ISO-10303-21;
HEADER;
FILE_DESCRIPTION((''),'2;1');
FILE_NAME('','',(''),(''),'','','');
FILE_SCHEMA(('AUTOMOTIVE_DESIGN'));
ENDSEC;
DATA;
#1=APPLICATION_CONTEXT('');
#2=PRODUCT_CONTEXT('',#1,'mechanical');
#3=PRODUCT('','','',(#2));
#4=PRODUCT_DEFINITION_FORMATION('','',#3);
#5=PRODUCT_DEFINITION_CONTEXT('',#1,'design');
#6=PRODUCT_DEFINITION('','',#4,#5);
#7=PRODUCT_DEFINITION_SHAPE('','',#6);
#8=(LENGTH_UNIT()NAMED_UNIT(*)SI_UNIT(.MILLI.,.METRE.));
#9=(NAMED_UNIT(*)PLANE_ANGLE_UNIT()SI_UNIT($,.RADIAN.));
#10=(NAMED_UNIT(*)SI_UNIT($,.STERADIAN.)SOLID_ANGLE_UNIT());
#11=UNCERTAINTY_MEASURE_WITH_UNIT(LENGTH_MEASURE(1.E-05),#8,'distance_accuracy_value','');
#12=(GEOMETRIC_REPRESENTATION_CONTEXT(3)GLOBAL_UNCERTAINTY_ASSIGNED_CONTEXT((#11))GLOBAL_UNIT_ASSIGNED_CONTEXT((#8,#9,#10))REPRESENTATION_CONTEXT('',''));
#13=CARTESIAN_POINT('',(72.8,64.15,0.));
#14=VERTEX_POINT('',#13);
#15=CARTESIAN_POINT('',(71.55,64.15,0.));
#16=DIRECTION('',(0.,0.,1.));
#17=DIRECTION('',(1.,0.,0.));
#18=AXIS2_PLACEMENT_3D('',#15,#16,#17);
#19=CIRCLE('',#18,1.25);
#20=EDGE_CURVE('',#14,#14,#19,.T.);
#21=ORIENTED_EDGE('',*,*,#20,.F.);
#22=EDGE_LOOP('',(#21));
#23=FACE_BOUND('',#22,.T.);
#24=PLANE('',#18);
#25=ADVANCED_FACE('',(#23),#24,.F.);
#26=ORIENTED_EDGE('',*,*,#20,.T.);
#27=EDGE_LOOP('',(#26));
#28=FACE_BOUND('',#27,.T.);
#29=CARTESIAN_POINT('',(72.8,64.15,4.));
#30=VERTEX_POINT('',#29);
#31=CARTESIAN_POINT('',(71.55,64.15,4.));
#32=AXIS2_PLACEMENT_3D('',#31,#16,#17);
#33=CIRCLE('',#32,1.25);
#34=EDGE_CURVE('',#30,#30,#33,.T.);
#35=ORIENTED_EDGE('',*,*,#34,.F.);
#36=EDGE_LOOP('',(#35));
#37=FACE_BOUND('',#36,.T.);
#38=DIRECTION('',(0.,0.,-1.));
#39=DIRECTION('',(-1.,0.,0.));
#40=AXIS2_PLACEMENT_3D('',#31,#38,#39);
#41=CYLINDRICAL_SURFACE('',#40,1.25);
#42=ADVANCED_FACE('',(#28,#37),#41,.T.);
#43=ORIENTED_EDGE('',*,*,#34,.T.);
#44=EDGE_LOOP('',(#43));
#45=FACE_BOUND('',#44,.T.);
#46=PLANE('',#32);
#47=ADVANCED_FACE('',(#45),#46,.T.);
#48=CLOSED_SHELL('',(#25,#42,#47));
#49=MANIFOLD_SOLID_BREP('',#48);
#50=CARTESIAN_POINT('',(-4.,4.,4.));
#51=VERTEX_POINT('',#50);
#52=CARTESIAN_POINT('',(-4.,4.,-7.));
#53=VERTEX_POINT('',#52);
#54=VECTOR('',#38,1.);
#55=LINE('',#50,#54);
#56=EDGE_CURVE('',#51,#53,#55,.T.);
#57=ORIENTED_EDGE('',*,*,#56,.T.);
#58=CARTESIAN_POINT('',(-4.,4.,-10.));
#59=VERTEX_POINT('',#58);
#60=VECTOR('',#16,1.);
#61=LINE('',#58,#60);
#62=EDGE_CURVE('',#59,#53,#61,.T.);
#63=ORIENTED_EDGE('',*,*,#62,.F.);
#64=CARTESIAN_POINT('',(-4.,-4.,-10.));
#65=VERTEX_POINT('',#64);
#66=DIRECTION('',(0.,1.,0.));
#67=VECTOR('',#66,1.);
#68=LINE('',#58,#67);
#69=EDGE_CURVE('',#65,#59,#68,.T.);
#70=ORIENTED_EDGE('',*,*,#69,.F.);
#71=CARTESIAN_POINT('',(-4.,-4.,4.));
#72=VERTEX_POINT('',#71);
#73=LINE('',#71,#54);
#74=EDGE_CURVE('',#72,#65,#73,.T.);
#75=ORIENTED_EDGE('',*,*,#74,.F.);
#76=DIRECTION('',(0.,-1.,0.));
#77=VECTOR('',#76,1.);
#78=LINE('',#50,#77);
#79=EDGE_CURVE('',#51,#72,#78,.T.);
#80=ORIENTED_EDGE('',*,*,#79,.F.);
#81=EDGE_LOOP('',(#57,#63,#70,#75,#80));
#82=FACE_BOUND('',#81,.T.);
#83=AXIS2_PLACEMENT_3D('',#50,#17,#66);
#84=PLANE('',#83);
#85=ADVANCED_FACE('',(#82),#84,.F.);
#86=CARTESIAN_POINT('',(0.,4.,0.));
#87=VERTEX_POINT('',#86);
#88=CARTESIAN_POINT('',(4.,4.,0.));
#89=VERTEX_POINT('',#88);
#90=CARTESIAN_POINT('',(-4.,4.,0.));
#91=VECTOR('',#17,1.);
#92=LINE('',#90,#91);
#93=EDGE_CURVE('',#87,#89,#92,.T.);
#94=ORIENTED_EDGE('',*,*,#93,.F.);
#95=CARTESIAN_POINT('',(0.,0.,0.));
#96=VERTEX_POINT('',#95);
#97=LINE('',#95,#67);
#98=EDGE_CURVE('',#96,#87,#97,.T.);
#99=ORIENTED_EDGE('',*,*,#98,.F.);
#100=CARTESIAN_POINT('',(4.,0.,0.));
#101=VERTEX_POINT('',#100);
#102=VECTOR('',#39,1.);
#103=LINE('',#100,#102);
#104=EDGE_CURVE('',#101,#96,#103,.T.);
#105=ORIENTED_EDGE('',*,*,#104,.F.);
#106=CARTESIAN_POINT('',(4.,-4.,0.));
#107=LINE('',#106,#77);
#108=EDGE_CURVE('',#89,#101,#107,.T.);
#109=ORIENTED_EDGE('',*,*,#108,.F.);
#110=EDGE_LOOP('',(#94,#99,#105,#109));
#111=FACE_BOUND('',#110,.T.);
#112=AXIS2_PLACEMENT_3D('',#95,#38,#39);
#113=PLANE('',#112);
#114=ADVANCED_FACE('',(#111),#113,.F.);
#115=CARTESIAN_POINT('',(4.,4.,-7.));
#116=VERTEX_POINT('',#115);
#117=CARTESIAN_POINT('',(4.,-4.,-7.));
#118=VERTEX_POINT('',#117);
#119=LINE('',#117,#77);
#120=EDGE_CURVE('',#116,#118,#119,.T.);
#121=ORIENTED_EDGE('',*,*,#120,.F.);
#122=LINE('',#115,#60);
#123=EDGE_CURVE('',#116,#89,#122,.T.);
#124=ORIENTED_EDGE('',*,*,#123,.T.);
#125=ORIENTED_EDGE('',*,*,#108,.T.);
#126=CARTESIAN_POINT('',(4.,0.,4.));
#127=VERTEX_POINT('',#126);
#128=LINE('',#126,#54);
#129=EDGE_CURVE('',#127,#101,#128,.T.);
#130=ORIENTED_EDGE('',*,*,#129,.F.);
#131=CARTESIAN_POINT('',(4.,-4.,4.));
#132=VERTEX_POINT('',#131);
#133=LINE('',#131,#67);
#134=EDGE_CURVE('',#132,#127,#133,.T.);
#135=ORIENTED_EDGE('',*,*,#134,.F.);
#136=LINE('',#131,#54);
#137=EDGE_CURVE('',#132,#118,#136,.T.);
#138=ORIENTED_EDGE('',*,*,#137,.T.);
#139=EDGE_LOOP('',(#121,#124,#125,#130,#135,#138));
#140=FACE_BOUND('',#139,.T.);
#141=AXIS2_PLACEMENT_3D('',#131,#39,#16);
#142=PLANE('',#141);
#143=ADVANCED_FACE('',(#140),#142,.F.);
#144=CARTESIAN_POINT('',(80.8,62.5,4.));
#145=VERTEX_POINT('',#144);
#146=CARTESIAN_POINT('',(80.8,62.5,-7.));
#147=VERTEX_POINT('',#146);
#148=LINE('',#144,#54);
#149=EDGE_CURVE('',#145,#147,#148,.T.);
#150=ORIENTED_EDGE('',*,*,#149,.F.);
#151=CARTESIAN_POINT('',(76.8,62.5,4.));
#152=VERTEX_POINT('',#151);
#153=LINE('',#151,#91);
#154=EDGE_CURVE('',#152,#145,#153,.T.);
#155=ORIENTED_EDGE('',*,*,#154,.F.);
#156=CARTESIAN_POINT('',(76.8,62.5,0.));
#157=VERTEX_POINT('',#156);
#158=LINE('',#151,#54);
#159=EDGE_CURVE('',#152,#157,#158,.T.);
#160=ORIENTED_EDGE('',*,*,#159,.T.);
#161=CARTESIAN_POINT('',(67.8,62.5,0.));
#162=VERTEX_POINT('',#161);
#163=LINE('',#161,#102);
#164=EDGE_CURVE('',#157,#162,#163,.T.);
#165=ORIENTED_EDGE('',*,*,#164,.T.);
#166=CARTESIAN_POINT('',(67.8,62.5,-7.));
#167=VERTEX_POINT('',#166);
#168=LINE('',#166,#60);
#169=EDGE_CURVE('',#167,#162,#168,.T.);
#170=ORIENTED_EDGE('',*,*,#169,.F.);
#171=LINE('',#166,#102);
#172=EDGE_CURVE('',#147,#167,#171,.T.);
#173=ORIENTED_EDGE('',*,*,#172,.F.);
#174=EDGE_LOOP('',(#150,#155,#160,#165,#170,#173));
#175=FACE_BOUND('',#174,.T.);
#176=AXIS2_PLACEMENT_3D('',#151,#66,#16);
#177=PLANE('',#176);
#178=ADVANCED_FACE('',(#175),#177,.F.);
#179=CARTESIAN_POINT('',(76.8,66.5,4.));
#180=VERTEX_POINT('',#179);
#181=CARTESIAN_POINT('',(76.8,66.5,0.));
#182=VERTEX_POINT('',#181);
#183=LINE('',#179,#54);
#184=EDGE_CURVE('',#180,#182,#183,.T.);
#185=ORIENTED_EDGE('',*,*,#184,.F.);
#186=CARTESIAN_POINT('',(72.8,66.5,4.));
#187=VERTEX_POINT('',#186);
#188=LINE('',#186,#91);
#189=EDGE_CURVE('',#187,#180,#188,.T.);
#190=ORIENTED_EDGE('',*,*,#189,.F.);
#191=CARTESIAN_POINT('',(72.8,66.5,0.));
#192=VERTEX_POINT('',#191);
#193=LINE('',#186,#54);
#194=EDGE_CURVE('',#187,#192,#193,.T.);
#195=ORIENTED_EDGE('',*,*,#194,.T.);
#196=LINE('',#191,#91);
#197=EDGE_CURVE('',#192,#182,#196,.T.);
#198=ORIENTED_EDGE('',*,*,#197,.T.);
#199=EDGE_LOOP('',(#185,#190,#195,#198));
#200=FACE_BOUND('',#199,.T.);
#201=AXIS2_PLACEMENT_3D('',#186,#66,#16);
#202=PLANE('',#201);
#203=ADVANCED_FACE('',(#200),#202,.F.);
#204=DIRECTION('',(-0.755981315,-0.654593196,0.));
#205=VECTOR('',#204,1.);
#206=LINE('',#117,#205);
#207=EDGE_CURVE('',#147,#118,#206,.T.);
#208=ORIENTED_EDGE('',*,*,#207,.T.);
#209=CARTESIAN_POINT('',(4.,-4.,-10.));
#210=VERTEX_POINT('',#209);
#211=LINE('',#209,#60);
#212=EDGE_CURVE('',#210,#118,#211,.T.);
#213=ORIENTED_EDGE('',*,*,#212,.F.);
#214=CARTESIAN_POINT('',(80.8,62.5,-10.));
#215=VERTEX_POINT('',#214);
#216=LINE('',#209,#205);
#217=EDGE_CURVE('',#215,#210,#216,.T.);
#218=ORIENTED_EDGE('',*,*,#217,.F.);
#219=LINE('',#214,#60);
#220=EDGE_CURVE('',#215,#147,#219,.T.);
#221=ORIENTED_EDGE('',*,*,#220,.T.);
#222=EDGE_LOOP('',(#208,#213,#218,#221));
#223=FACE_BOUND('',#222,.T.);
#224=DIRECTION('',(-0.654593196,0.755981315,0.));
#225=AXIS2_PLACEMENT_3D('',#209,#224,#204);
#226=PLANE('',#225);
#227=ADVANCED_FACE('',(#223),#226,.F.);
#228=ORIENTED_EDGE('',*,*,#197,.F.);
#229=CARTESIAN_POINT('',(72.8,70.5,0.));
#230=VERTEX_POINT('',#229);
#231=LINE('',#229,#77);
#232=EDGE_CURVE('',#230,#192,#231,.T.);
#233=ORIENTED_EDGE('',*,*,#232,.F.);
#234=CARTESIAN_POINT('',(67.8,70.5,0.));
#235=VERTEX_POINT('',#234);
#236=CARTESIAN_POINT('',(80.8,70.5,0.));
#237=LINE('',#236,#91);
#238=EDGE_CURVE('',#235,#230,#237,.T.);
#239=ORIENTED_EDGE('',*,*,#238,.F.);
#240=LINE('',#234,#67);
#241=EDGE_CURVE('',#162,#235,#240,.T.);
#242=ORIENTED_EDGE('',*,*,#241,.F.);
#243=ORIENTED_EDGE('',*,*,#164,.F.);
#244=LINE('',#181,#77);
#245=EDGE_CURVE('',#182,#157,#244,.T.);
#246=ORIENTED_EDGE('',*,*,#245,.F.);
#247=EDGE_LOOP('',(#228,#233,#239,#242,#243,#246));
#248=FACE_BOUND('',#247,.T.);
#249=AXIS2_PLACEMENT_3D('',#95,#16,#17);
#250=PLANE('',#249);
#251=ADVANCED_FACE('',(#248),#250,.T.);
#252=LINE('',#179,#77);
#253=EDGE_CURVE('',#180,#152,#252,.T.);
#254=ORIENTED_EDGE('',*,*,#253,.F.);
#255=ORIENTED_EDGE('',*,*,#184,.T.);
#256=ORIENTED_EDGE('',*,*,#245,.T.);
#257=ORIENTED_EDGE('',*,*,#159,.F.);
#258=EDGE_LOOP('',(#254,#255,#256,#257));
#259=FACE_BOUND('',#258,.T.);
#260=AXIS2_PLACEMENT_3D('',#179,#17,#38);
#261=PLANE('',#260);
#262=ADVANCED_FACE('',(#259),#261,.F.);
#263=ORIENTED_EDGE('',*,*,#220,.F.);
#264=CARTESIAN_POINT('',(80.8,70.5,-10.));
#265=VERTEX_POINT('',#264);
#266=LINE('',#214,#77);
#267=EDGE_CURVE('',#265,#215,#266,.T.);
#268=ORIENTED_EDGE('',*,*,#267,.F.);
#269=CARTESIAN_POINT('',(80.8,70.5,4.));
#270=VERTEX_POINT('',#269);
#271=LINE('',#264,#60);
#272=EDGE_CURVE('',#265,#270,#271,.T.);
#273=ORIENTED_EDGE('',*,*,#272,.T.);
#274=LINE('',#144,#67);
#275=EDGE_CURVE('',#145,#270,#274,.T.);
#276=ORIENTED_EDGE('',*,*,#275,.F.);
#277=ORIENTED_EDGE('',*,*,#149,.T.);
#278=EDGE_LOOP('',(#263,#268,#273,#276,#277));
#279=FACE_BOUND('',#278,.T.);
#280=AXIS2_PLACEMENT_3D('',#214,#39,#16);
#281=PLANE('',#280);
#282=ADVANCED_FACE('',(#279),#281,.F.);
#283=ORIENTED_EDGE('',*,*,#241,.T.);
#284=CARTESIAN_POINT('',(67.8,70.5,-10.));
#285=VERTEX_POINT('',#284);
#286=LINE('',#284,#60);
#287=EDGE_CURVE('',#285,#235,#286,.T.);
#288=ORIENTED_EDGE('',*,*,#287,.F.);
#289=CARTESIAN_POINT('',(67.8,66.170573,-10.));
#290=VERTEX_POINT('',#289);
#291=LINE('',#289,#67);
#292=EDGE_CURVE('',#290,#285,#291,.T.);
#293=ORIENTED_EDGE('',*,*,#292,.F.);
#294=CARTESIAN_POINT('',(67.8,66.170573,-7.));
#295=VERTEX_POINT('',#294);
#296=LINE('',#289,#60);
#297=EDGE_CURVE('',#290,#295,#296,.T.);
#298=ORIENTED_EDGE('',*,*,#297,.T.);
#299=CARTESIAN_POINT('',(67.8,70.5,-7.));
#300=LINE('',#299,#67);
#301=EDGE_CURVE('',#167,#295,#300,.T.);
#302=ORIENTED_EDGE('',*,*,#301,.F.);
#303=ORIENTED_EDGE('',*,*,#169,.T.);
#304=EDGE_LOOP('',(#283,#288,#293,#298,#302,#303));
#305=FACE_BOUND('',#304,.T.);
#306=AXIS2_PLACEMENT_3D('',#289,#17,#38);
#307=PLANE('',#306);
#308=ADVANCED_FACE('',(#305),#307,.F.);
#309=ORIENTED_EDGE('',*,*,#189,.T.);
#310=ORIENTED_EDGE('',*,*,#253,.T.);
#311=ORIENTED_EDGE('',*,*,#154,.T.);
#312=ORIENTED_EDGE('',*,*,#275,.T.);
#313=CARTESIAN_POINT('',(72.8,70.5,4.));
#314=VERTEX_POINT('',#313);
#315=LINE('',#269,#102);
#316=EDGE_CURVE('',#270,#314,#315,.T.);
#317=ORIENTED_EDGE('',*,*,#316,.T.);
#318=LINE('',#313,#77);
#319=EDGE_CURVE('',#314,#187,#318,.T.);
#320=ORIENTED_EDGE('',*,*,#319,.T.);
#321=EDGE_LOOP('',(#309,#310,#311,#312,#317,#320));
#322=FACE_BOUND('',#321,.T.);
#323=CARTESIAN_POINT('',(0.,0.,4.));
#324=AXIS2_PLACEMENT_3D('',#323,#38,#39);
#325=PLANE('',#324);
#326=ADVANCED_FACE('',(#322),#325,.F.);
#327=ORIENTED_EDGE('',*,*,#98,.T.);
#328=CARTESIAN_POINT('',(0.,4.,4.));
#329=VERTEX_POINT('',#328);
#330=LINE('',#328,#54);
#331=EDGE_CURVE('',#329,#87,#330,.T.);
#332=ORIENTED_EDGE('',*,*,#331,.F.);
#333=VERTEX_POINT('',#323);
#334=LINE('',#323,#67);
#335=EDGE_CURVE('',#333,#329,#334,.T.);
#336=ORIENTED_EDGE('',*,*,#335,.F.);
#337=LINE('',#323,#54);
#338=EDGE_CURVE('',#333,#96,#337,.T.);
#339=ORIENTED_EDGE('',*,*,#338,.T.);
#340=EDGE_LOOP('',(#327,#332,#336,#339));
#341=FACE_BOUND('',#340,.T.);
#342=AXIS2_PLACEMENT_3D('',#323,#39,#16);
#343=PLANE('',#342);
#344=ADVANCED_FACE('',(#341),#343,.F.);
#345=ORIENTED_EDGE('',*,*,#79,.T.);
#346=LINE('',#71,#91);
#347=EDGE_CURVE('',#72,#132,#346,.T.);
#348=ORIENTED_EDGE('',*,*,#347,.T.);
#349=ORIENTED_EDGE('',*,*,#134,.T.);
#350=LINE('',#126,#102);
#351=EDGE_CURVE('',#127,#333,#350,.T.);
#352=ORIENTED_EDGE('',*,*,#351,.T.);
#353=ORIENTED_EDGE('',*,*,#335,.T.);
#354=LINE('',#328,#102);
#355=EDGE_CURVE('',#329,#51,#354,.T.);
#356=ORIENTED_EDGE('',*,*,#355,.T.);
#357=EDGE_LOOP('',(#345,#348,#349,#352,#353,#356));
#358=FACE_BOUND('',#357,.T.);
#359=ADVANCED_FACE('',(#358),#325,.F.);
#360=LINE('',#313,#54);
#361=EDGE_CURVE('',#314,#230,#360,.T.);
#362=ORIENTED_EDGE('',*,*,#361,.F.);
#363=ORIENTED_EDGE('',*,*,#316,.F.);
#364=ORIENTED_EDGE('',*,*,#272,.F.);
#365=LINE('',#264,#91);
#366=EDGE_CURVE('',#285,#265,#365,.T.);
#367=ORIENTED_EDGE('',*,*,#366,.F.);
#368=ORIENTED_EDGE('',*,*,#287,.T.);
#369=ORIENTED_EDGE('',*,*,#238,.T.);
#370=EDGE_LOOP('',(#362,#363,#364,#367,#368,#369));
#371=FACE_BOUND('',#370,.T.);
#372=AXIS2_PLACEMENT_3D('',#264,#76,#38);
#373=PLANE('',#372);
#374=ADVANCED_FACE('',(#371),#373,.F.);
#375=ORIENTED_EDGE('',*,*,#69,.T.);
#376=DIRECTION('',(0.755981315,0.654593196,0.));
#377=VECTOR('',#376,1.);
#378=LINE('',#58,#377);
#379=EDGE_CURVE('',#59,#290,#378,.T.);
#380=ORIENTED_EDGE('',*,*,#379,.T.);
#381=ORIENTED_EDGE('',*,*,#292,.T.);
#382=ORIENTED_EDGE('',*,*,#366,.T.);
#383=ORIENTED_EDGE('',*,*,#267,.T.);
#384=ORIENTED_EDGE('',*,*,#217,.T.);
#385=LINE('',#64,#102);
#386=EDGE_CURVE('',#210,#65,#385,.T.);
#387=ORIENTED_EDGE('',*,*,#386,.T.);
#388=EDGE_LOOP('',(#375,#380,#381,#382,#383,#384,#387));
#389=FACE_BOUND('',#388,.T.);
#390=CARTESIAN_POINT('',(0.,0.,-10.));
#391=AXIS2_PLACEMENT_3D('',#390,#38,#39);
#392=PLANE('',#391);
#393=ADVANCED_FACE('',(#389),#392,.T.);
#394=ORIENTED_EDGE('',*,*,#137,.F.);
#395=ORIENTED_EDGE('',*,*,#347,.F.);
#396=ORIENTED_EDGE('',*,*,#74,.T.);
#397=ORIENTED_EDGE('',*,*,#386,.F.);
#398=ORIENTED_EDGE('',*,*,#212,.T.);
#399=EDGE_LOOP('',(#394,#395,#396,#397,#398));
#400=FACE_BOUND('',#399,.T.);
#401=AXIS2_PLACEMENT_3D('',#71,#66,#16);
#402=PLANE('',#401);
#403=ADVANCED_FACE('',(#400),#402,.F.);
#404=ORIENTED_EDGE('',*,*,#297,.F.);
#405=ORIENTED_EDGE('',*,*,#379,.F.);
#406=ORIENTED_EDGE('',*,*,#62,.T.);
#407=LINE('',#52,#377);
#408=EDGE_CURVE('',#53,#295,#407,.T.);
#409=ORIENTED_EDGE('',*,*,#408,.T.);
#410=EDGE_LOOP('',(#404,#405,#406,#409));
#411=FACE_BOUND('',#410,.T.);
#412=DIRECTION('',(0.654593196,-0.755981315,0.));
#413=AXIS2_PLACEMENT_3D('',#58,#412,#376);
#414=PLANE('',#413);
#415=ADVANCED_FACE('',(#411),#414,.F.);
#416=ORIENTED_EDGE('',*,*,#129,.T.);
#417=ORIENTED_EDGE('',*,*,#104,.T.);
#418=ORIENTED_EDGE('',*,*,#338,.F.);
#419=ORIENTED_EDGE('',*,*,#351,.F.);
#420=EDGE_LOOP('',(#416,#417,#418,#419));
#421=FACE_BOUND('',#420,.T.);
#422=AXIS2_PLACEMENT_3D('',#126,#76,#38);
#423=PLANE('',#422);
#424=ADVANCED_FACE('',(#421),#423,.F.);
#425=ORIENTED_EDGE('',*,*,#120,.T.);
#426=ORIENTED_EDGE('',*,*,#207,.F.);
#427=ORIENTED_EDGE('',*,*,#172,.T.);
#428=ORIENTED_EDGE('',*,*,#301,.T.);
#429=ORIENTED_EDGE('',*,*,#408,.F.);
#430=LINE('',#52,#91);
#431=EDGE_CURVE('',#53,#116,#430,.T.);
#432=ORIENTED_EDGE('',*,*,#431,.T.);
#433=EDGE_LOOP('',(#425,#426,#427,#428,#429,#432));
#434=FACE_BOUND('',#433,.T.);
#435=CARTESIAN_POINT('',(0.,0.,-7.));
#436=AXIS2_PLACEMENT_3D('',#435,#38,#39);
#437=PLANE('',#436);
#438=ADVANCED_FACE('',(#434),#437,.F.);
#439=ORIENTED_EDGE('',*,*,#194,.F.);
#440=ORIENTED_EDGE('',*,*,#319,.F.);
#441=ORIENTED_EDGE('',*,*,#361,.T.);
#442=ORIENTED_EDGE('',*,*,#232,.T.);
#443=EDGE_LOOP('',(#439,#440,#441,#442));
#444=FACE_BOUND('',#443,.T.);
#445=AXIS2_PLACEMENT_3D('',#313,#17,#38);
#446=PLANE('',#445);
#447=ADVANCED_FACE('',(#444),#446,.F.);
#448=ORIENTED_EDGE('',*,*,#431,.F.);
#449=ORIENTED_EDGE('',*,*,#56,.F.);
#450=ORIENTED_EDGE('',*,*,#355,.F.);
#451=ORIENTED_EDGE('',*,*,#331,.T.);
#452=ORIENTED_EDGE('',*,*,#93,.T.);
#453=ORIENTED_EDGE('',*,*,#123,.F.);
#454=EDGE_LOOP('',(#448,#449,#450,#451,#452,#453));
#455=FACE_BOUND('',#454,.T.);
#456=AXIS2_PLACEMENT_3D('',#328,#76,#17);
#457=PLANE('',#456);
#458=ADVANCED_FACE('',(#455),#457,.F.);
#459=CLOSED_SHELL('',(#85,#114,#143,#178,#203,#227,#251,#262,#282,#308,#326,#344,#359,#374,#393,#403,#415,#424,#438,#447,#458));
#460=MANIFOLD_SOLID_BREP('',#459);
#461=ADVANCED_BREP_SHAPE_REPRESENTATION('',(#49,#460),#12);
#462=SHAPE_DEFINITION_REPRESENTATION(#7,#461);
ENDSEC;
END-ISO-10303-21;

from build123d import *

# Parameters (mm, degrees)
BOSS_EXTRUDE1_DEPTH   = 4
BOSS_EXTRUDE1_2_DEPTH = 4
SKETCH2_W             = 13
SKETCH2_H             = 8
SKETCH2_W_2           = 8
BOSS_EXTRUDE2_DEPTH   = 7
BOSS_EXTRUDE3_DEPTH   = 3
SKETCH4_R             = 1.25
BOSS_EXTRUDE4_DEPTH   = 4


with BuildPart() as part:
    # Sketch1 → Boss-Extrude1 (new body)
    with BuildSketch(Plane.XY):
        Polygon((0, 0), (0, 4), (-4, 4), (-4, -4), (4, -4), (4, 0), align=None)
    extrude(amount=BOSS_EXTRUDE1_DEPTH)



with BuildPart() as body_2:
    # Sketch1 → Boss-Extrude1 2 (new body)
    with BuildSketch(Plane.XY):
        Polygon((76.8, 66.5), (76.8, 62.5), (80.8, 62.5), (80.8, 70.5), (72.8, 70.5), (72.8, 66.5), align=None)
    extrude(amount=BOSS_EXTRUDE1_2_DEPTH)


with BuildPart() as part_1:
    add(part.part)

    add(body_2.part)  # Boss-Extrude2 merges body 2
    # Sketch2 → Boss-Extrude2 (add)
    with BuildSketch(Plane(origin=(0, 0, 0), x_dir=(-1, 0, 0), z_dir=(0, 0, -1))):
        with Locations((-74.3, 66.5)):
            Rectangle(SKETCH2_W, SKETCH2_H)
        Rectangle(SKETCH2_W_2, SKETCH2_H)
    extrude(amount=BOSS_EXTRUDE2_DEPTH)

    # Sketch3 → Boss-Extrude3 (add)
    with BuildSketch(Plane(origin=(0, 0, -7), x_dir=(-1, 0, 0), z_dir=(0, 0, -1))):
        Polygon((4, 4), (4, -4), (-4, -4), (-80.8, 62.5), (-80.8, 70.5), (-67.8, 70.5), (-67.8, 66.170572917), align=None)
    extrude(amount=BOSS_EXTRUDE3_DEPTH)


with BuildPart() as body_2_2:
    # Sketch4 → Boss-Extrude4 (new body)
    with BuildSketch(Plane.XY):
        with Locations((71.55, 64.15)):
            Circle(SKETCH4_R)
    extrude(amount=BOSS_EXTRUDE4_DEPTH)


solid = Compound([part_1.part, body_2_2.part])
